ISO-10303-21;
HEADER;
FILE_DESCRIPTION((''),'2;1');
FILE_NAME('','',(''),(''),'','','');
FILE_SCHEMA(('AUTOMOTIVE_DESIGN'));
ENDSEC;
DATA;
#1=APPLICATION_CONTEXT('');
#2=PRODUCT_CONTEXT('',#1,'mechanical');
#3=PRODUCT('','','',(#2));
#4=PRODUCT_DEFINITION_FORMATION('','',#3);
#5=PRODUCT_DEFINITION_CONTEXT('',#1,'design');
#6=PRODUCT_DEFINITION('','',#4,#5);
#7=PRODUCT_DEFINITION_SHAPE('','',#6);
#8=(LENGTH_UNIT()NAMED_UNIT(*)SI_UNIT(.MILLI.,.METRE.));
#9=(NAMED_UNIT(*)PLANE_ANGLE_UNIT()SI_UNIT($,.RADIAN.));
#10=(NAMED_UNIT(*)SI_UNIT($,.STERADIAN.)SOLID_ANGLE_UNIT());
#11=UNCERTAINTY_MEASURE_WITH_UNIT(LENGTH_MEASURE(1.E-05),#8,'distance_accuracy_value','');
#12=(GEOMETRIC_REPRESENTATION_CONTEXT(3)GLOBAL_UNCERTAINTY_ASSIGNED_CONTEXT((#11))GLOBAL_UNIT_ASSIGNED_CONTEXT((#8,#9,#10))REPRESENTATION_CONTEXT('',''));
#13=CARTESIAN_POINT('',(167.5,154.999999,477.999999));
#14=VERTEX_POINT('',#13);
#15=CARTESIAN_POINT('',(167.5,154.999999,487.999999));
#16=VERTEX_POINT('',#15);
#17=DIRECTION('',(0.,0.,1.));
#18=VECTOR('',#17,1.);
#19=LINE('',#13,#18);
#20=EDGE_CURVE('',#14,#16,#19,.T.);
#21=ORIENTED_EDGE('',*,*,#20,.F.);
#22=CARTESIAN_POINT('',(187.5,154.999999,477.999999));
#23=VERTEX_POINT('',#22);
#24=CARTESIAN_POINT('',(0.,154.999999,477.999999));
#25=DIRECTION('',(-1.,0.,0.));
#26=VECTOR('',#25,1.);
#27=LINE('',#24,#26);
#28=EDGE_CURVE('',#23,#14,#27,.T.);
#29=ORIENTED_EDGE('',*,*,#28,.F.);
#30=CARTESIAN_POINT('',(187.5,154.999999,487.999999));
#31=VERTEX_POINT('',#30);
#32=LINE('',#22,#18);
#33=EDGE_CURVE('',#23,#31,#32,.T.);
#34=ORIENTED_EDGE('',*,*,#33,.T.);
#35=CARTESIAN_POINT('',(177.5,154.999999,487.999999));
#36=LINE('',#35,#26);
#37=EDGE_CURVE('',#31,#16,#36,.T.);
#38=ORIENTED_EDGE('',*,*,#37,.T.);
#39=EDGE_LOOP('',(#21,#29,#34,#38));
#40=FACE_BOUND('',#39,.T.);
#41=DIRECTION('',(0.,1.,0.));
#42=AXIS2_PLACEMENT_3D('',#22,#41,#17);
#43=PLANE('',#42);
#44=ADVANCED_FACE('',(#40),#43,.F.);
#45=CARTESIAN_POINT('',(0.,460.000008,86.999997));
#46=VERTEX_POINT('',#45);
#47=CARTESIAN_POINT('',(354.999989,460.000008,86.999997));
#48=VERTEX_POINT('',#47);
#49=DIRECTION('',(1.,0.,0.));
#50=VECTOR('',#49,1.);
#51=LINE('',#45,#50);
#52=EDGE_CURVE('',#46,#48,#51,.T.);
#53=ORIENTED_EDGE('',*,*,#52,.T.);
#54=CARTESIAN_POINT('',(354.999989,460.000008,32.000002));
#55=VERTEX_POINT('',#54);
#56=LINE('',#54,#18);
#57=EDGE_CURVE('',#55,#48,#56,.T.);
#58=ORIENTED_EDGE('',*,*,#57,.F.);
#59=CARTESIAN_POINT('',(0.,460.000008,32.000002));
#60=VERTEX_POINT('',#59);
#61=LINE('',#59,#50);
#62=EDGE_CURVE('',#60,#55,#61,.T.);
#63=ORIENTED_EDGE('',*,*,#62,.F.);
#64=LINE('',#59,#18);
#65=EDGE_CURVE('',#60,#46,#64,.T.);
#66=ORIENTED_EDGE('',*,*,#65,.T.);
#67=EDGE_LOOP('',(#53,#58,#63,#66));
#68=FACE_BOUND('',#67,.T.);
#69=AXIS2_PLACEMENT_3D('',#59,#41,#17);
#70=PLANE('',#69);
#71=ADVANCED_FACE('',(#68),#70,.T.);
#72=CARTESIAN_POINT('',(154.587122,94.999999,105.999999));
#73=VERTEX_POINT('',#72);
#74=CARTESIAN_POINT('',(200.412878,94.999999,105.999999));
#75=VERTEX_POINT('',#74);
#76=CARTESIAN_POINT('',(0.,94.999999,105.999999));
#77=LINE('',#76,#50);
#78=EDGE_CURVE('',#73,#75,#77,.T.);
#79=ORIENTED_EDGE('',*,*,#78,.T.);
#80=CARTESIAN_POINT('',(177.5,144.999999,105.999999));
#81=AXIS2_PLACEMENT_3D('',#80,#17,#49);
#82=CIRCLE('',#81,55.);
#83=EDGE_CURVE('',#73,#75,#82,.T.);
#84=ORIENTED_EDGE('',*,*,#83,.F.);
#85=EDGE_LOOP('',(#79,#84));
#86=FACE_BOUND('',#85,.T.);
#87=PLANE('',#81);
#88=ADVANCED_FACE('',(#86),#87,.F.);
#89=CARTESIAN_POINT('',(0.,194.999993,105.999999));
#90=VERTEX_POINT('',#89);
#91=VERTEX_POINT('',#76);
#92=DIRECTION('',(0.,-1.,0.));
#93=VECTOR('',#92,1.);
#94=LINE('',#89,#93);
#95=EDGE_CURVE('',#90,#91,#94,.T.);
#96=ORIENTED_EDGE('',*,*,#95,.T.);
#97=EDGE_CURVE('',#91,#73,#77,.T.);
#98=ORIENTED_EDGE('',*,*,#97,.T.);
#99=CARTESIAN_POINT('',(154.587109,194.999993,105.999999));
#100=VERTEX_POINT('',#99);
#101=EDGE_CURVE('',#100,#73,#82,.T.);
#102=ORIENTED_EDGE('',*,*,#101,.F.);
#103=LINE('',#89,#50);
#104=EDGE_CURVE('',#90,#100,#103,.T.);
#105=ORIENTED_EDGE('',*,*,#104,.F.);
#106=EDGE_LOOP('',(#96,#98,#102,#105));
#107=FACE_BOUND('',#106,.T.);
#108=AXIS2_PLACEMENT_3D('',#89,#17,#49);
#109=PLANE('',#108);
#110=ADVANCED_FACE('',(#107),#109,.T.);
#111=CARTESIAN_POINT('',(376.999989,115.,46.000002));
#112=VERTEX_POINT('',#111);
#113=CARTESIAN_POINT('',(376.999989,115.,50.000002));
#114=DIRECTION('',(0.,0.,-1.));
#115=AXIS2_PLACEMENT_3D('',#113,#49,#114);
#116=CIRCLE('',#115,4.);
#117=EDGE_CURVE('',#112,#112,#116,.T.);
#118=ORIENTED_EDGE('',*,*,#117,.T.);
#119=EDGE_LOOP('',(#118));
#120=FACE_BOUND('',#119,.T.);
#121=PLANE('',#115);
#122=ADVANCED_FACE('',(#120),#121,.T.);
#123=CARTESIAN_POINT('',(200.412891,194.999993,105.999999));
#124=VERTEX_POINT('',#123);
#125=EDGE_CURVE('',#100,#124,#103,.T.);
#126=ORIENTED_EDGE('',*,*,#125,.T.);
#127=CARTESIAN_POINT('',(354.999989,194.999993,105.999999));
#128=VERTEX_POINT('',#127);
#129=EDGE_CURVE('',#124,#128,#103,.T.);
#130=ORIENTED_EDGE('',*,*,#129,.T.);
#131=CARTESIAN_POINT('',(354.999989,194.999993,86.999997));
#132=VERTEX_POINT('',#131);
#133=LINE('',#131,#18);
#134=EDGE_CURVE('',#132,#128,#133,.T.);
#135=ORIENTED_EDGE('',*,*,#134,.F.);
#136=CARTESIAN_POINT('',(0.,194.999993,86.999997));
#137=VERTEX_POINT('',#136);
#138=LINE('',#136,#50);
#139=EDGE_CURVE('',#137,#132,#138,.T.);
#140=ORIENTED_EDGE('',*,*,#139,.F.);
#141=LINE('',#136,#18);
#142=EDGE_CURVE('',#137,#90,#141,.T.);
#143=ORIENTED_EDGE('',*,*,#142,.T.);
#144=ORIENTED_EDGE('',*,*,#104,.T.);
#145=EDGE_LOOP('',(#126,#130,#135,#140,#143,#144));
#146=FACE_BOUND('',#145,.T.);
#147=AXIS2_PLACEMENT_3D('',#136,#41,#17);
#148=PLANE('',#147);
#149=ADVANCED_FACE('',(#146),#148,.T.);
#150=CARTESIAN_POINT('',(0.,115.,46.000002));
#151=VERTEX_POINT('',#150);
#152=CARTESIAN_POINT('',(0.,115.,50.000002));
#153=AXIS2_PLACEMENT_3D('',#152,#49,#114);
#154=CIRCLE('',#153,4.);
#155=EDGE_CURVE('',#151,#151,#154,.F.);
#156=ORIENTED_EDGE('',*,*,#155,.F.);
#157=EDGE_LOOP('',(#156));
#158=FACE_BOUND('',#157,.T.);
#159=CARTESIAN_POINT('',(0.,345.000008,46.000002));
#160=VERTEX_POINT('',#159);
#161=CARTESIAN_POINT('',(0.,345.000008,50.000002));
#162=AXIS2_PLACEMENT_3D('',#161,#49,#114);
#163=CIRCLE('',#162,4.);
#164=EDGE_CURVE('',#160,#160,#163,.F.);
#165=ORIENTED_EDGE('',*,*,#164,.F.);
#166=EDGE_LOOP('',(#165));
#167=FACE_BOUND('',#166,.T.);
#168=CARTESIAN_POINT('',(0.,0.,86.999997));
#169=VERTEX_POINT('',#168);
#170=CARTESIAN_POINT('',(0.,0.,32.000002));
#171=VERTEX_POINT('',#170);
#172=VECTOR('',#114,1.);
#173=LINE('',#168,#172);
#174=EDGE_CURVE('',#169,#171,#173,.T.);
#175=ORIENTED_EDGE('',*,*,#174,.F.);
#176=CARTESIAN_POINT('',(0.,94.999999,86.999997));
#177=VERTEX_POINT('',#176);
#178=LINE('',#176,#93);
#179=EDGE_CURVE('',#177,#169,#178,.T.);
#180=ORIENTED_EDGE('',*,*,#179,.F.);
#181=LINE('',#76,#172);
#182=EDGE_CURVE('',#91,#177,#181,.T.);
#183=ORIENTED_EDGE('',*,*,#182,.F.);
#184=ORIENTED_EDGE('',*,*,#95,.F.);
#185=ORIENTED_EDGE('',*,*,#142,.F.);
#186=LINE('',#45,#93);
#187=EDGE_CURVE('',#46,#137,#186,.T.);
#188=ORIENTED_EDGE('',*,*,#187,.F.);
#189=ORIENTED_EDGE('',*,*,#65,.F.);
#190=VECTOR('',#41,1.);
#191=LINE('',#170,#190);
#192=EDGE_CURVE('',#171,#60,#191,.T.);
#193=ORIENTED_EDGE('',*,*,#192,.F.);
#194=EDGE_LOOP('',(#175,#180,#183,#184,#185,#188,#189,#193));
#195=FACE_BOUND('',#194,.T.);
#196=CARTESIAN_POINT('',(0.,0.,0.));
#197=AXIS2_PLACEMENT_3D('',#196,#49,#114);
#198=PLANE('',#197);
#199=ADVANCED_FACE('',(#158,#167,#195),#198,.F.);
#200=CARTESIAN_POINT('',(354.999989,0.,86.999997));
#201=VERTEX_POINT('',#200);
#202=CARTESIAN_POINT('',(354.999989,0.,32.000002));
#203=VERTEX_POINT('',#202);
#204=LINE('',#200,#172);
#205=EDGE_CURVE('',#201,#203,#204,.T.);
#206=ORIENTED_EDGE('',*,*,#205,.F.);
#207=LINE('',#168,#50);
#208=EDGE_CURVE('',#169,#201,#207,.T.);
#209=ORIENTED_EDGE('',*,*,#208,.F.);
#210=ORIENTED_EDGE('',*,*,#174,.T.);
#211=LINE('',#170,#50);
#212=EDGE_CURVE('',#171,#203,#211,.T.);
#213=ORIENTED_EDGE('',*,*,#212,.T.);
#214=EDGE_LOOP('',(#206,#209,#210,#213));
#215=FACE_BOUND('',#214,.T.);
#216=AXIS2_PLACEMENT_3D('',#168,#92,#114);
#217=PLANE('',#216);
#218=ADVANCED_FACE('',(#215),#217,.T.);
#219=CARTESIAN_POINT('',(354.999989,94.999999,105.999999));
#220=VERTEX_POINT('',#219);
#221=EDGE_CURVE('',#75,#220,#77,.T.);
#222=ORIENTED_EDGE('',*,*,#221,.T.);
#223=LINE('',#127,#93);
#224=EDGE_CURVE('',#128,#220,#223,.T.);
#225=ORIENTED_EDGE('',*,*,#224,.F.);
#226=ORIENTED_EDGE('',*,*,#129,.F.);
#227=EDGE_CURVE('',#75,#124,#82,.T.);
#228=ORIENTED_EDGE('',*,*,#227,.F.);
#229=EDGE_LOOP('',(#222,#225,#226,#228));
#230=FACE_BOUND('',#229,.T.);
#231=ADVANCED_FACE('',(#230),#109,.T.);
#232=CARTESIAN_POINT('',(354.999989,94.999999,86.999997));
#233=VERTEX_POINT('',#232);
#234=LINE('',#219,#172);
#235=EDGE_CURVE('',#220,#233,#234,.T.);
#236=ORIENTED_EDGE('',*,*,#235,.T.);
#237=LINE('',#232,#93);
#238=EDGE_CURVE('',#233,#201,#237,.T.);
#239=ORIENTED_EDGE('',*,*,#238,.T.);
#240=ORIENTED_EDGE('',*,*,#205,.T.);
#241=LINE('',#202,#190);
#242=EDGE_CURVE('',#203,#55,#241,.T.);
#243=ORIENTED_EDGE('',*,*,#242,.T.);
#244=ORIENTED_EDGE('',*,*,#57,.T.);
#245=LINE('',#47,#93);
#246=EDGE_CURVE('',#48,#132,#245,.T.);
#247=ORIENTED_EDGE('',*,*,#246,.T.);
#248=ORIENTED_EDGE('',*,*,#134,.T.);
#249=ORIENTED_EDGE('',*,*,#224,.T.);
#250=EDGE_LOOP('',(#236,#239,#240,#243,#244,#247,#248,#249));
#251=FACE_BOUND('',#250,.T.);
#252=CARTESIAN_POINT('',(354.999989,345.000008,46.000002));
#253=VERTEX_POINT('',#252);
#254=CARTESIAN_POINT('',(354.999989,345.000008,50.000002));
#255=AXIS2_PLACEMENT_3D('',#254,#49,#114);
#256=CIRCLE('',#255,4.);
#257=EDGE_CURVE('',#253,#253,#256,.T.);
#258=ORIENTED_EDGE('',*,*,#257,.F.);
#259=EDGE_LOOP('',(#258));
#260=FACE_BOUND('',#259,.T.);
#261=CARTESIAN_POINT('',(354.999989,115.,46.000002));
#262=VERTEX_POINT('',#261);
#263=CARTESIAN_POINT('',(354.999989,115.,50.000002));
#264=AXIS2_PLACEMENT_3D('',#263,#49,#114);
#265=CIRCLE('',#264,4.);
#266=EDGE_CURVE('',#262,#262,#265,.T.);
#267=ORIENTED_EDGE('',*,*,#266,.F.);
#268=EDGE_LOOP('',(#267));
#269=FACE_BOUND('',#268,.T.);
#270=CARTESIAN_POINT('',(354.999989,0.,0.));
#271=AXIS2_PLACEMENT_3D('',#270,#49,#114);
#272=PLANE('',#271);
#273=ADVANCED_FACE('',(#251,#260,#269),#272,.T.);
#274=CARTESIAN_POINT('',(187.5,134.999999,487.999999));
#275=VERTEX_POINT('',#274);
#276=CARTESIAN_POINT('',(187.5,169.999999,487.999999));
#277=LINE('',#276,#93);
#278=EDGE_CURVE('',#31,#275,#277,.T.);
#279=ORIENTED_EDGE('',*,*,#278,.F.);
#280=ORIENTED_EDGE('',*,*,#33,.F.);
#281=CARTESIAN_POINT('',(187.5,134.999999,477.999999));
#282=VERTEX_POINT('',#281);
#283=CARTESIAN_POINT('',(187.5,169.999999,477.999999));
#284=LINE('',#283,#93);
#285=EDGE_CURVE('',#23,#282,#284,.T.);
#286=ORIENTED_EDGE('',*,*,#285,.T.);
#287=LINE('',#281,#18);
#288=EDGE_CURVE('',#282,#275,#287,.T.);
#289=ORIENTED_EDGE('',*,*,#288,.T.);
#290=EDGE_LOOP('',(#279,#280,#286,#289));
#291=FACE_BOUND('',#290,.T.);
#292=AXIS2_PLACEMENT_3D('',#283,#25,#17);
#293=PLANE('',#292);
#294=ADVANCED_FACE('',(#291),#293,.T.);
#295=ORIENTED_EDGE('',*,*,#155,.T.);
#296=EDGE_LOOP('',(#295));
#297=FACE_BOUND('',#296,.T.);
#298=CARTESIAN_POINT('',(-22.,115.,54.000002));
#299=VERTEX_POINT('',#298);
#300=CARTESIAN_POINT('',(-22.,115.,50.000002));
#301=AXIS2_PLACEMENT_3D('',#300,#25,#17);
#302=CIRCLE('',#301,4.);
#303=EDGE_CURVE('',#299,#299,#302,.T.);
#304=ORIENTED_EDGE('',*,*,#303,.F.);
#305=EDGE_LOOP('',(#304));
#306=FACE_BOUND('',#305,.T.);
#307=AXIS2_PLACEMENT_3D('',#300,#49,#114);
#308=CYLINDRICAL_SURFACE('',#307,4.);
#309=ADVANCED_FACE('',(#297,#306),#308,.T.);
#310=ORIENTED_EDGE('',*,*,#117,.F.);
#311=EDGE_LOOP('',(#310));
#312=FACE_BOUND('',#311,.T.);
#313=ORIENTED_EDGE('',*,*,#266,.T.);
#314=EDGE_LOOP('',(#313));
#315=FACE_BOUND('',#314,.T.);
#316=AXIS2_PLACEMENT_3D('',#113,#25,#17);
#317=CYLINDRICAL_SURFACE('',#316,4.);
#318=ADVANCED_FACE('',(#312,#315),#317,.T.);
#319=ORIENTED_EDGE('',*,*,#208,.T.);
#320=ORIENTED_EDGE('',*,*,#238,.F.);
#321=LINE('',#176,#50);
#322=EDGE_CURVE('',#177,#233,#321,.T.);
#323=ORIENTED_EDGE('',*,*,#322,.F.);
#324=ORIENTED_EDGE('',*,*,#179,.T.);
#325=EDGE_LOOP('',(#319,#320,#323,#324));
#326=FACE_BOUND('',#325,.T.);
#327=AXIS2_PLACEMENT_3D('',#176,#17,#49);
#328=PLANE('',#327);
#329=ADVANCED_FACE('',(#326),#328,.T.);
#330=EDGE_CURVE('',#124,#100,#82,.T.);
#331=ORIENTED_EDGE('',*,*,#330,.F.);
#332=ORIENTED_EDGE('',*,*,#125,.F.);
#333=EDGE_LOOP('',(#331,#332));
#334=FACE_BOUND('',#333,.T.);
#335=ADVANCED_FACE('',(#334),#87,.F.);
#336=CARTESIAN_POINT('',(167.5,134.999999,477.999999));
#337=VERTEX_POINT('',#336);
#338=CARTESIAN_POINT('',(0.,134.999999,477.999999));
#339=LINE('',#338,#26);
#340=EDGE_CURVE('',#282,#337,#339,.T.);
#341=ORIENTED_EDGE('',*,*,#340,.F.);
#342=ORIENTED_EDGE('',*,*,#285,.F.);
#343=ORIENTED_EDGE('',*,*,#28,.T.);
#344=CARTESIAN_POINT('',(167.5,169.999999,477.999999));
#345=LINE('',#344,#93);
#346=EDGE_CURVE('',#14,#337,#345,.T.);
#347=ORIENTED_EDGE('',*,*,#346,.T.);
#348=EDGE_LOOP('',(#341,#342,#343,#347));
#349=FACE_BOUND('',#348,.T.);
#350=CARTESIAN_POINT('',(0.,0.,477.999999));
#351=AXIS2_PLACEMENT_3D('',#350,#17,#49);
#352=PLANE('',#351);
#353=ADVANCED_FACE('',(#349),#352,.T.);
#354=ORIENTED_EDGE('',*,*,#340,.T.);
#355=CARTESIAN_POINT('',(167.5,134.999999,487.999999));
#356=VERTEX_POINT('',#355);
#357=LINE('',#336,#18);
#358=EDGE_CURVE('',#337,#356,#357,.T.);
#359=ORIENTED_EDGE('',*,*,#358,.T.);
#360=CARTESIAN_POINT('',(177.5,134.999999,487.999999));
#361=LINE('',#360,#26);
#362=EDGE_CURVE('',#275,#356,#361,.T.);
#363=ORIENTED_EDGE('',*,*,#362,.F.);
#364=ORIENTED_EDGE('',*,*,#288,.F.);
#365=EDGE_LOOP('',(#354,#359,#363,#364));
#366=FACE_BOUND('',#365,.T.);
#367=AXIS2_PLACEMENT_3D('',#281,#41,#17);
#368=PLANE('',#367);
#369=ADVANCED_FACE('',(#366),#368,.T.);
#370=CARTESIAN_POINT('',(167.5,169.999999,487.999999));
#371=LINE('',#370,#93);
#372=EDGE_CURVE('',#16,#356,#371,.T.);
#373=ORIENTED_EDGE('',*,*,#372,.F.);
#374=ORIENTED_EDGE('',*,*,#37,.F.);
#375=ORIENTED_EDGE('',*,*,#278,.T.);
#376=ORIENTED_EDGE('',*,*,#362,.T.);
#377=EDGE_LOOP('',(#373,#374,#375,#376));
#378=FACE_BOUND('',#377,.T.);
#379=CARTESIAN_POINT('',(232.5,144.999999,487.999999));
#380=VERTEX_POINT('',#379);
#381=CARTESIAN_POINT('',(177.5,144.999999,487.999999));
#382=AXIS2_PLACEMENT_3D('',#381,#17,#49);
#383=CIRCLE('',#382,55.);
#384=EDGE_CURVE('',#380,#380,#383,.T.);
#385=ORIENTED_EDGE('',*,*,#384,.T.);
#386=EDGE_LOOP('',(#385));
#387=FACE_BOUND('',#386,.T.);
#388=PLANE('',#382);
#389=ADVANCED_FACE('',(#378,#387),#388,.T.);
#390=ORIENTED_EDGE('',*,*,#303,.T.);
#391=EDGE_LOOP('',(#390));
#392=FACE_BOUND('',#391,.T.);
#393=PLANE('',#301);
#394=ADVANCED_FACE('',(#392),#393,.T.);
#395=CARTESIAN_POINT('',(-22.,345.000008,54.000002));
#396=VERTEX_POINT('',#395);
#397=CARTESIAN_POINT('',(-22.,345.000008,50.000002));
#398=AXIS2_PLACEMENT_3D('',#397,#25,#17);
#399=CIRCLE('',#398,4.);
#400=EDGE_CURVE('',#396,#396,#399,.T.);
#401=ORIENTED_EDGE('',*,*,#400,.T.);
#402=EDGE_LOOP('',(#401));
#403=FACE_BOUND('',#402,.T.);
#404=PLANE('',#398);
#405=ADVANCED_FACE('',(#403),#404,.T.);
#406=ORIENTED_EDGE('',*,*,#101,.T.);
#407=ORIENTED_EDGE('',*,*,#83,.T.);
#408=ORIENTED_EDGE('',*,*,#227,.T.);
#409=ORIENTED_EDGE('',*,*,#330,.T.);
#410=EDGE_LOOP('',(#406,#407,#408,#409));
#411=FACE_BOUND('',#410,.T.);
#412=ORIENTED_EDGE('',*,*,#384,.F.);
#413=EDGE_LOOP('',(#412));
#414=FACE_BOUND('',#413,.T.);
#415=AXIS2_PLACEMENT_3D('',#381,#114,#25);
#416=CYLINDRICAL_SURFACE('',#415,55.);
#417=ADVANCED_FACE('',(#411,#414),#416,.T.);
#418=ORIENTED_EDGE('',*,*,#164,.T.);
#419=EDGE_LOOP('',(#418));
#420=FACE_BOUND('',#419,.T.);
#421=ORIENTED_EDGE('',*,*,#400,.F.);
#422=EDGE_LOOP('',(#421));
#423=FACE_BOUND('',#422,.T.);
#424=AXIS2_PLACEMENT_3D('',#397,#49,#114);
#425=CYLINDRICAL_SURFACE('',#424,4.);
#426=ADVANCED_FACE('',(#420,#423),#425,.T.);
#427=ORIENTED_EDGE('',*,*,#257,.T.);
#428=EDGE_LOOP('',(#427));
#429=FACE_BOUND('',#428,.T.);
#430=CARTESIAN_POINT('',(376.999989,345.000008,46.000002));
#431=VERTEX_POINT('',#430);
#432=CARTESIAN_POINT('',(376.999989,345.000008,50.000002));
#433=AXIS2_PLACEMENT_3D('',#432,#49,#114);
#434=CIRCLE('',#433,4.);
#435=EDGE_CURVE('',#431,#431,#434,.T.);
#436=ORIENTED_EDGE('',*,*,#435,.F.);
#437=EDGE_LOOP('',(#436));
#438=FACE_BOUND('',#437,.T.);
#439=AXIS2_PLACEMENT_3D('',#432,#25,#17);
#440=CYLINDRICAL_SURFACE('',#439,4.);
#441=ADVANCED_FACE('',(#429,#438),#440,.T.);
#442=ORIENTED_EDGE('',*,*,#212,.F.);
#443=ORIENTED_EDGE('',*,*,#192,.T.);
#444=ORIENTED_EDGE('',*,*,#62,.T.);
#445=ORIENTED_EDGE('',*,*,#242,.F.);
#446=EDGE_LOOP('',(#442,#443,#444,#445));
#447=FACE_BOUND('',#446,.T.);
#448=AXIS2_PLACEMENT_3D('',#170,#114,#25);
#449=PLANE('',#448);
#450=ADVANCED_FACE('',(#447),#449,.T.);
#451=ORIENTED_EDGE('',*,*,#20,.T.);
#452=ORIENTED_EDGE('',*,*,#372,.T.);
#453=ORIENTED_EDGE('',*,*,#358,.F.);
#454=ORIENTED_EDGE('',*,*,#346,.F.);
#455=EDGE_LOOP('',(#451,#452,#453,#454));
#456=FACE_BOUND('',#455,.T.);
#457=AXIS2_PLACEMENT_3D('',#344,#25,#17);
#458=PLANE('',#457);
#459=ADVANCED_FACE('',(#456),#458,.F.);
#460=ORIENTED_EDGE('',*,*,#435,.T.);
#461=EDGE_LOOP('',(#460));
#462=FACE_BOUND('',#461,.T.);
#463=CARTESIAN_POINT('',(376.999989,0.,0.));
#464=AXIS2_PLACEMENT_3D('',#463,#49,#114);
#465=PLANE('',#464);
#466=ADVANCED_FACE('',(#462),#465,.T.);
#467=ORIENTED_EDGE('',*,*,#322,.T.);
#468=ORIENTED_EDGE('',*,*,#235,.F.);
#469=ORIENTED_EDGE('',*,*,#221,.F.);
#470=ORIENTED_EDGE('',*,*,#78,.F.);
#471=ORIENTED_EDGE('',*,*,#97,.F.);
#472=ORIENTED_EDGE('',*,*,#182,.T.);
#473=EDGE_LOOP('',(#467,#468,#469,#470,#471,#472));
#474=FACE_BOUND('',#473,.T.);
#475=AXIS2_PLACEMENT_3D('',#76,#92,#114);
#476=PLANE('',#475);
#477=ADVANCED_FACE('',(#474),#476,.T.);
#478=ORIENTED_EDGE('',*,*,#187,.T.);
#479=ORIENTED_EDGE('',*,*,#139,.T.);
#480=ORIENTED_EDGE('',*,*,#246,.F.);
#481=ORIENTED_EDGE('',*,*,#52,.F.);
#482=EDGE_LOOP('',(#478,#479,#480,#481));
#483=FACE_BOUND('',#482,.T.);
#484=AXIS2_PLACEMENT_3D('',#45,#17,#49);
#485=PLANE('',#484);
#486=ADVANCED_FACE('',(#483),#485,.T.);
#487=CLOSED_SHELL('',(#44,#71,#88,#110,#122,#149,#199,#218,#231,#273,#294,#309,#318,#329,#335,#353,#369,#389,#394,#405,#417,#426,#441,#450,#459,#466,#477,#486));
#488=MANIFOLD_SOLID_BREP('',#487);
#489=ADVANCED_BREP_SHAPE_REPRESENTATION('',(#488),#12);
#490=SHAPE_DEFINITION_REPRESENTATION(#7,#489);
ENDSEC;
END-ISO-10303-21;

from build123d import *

# Parameters (mm, degrees)
BOSS_EXTRUDE1_DEPTH = 354.999989271
SKETCH2_R           = 4
BOSS_EXTRUDE2_DEPTH = 22
SKETCH3_R           = 4
BOSS_EXTRUDE3_DEPTH = 22
BOSS_EXTRUDE4_START = 22
SKETCH4_R           = 4
BOSS_EXTRUDE4_DEPTH = 22
BOSS_EXTRUDE5_START = 22
SKETCH5_R           = 4
BOSS_EXTRUDE5_DEPTH = 22
SKETCH6_R           = 55
BOSS_EXTRUDE6_DEPTH = 382
SKETCH8_W           = 20
SKETCH8_H           = 50
CUT_EXTRUDE1_DEPTH  = 10
MOVE_FACE1_BY       = 15
MOVE_FACE1_2_BY     = 15


with BuildPart() as part:
    # Sketch1 → Boss-Extrude1 (new body)
    with BuildSketch(Plane(origin=(354.999989271, 0, 0), x_dir=(0, 0, -1), z_dir=(1, 0, 0))):
        Polygon((-32.00000152, 460.000008345), (-86.999997497, 460.000008345), (-86.999997497, 194.999992847), (-105.999998748, 194.999992847), (-105.999998748, 94.999998808), (-86.999997497, 94.999998808), (-86.999997497, 0), (-32.00000152, 0), align=None)
    extrude(amount=-BOSS_EXTRUDE1_DEPTH)

    # Sketch2 → Boss-Extrude2 (add)
    with BuildSketch(Plane(origin=(354.999989271, 0, 0), x_dir=(0, 0, -1), z_dir=(1, 0, 0))):
        with Locations((-50.00000152, 345.000008345)):
            Circle(SKETCH2_R)
    extrude(amount=BOSS_EXTRUDE2_DEPTH)

    # Sketch3 → Boss-Extrude3 (add)
    with BuildSketch(Plane(origin=(354.999989271, 0, 0), x_dir=(0, 0, -1), z_dir=(1, 0, 0))):
        with Locations((-50.00000152, 115)):
            Circle(SKETCH3_R)
    extrude(amount=BOSS_EXTRUDE3_DEPTH)

    # Sketch4 → Boss-Extrude4 (add)
    with BuildSketch(Plane.ZY.offset(BOSS_EXTRUDE4_START)):
        with Locations((50.00000152, 115)):
            Circle(SKETCH4_R)
    extrude(amount=-BOSS_EXTRUDE4_DEPTH)

    # Sketch5 → Boss-Extrude5 (add)
    with BuildSketch(Plane.ZY.offset(BOSS_EXTRUDE5_START)):
        with Locations((50.00000152, 345.000008345)):
            Circle(SKETCH5_R)
    extrude(amount=-BOSS_EXTRUDE5_DEPTH)

    # Sketch6 → Boss-Extrude6 (add)
    with BuildSketch(Plane.XY.offset(105.999998748)):
        with Locations((177.5, 144.999998808)):
            Circle(SKETCH6_R)
    extrude(amount=BOSS_EXTRUDE6_DEPTH)

    # Sketch8 → Cut-Extrude1 (cut)
    with BuildSketch(Plane.XY.offset(487.999998748)):
        with Locations((177.5, 144.999998808)):
            Rectangle(SKETCH8_W, SKETCH8_H)
    extrude(amount=-CUT_EXTRUDE1_DEPTH, mode=Mode.SUBTRACT)

    # Move Face1: a face moved outward by 15.0
    extrude(part.faces().sort_by_distance((177.5, 169.999998808, 482.999998748))[0], amount=MOVE_FACE1_BY, dir=(0, -1, 0))

    # Move Face1 2: a face moved outward by 15.0
    extrude(part.faces().sort_by_distance((177.5, 119.999998808, 482.999998748))[0], amount=MOVE_FACE1_2_BY, dir=(0, 1, 0))


solid = part.part
